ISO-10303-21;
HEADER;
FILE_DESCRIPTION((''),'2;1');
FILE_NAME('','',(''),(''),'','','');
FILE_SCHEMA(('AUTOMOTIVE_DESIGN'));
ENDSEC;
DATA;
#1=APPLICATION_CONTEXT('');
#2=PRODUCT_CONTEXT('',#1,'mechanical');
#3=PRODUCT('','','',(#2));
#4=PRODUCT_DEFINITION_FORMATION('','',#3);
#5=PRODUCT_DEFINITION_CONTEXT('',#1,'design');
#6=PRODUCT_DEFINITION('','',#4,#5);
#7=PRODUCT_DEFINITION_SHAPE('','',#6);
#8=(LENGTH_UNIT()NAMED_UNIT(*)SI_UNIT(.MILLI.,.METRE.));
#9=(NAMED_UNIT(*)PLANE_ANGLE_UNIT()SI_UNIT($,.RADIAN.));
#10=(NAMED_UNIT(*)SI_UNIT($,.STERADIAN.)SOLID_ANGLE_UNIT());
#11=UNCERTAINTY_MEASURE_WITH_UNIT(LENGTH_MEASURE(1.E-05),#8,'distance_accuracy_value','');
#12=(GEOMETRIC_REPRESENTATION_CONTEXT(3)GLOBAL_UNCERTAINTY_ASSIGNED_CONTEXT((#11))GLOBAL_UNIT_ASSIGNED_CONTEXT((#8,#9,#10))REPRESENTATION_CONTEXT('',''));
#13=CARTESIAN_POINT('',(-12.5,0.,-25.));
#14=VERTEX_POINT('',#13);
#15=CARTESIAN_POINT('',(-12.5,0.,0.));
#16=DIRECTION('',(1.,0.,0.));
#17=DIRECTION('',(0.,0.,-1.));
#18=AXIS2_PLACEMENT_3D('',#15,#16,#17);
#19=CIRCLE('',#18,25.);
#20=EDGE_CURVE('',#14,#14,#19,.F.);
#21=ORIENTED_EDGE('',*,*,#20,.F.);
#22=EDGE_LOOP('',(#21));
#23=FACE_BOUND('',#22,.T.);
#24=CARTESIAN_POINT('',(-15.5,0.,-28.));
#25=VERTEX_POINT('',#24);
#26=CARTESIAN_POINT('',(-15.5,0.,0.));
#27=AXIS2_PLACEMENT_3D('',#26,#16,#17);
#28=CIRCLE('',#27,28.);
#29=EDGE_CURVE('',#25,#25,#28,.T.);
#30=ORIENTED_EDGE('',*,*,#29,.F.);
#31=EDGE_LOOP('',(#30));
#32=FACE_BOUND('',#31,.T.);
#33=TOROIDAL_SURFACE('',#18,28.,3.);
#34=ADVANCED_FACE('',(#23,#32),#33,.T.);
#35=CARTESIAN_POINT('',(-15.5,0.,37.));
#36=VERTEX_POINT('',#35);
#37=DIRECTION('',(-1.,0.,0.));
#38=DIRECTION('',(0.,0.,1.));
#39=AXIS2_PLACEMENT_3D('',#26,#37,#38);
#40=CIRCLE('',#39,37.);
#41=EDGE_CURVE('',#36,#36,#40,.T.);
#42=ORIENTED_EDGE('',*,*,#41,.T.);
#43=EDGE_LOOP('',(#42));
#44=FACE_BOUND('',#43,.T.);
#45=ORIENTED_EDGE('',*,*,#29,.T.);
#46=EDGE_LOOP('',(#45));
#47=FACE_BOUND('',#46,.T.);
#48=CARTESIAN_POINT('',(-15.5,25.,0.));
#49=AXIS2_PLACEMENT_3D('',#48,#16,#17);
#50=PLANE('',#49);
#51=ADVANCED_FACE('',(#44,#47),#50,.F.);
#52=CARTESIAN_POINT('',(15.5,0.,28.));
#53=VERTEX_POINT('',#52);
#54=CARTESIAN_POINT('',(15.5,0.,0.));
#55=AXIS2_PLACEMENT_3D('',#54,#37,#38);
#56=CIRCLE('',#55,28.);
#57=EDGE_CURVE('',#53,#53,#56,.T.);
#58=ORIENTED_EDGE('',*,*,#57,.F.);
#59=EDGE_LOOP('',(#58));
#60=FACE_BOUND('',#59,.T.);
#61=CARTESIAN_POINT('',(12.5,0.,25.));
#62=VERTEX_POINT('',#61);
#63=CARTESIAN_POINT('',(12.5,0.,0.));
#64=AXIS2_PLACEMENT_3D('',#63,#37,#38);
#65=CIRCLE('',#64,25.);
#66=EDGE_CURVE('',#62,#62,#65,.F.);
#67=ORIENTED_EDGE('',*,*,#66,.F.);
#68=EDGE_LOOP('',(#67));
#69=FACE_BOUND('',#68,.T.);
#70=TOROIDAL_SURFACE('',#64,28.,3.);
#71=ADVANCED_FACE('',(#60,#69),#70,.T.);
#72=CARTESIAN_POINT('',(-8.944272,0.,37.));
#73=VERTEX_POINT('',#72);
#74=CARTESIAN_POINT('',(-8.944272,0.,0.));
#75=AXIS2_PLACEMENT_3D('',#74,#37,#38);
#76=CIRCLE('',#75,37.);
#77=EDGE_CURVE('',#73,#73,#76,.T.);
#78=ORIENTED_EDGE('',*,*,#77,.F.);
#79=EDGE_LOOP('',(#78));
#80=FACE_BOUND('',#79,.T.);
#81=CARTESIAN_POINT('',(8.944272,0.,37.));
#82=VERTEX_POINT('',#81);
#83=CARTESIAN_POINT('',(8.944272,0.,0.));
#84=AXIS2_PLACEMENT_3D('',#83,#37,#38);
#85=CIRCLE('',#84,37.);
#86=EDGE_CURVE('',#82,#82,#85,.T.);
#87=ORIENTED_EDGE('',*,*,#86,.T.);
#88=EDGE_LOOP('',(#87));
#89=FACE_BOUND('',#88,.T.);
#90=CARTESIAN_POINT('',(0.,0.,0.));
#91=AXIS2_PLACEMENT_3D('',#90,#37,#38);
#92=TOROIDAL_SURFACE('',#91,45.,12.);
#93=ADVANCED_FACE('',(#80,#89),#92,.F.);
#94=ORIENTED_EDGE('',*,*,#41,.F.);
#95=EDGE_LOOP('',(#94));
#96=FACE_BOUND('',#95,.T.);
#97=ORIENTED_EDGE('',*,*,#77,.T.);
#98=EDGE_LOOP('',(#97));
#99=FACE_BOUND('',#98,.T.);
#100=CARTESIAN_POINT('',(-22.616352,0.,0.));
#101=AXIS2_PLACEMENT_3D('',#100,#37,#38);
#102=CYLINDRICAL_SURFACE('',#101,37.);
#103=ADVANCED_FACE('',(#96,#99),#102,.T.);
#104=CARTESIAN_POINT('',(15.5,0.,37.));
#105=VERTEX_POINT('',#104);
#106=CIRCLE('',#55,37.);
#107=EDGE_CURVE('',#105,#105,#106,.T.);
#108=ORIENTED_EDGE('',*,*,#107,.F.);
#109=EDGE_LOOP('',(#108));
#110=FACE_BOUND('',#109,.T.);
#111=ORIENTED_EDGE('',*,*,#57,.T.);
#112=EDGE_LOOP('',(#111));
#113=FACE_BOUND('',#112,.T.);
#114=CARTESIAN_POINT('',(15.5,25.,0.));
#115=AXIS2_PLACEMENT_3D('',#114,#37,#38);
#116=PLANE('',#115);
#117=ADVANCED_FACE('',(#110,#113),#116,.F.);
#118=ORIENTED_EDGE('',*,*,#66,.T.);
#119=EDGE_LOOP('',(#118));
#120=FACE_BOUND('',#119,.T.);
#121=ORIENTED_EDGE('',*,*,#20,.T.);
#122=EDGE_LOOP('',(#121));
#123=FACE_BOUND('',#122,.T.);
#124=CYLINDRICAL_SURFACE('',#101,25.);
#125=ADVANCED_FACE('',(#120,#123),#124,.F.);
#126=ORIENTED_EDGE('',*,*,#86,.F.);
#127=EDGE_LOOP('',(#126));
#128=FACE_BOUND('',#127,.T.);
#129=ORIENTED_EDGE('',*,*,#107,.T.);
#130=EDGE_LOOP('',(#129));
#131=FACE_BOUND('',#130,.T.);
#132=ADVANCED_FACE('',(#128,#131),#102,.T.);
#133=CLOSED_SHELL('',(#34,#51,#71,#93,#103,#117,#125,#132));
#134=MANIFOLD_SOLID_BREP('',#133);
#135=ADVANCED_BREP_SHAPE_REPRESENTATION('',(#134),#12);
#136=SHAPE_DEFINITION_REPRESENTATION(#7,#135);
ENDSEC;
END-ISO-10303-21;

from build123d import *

# Parameters (mm, degrees)
FILLET1_R = 3


with BuildPart() as part:
    # Sketch1 → Revolve1 (revolve)
    with BuildSketch(Plane.XY):
        with BuildLine():
            Line((-15.5, 25), (15.5, 25))
            Line((15.5, 25), (15.5, 37))
            Line((15.5, 37), (8.94427191, 37))
            ThreePointArc((8.94427191, 37), (0, 33), (-8.94427191, 37))
            Line((-8.94427191, 37), (-15.5, 37))
            Line((-15.5, 37), (-15.5, 25))
        make_face()
    revolve(axis=Axis((-22.616352201, 0, 0), (1, 0, 0)))

    # Fillet1
    fillet1_edges = [part.edges().sort_by_distance(p)[0] for p in [
        (15.5, -25, 0),
        (-15.5, -25, 0),
    ]]
    fillet(fillet1_edges, radius=FILLET1_R)


solid = part.part
